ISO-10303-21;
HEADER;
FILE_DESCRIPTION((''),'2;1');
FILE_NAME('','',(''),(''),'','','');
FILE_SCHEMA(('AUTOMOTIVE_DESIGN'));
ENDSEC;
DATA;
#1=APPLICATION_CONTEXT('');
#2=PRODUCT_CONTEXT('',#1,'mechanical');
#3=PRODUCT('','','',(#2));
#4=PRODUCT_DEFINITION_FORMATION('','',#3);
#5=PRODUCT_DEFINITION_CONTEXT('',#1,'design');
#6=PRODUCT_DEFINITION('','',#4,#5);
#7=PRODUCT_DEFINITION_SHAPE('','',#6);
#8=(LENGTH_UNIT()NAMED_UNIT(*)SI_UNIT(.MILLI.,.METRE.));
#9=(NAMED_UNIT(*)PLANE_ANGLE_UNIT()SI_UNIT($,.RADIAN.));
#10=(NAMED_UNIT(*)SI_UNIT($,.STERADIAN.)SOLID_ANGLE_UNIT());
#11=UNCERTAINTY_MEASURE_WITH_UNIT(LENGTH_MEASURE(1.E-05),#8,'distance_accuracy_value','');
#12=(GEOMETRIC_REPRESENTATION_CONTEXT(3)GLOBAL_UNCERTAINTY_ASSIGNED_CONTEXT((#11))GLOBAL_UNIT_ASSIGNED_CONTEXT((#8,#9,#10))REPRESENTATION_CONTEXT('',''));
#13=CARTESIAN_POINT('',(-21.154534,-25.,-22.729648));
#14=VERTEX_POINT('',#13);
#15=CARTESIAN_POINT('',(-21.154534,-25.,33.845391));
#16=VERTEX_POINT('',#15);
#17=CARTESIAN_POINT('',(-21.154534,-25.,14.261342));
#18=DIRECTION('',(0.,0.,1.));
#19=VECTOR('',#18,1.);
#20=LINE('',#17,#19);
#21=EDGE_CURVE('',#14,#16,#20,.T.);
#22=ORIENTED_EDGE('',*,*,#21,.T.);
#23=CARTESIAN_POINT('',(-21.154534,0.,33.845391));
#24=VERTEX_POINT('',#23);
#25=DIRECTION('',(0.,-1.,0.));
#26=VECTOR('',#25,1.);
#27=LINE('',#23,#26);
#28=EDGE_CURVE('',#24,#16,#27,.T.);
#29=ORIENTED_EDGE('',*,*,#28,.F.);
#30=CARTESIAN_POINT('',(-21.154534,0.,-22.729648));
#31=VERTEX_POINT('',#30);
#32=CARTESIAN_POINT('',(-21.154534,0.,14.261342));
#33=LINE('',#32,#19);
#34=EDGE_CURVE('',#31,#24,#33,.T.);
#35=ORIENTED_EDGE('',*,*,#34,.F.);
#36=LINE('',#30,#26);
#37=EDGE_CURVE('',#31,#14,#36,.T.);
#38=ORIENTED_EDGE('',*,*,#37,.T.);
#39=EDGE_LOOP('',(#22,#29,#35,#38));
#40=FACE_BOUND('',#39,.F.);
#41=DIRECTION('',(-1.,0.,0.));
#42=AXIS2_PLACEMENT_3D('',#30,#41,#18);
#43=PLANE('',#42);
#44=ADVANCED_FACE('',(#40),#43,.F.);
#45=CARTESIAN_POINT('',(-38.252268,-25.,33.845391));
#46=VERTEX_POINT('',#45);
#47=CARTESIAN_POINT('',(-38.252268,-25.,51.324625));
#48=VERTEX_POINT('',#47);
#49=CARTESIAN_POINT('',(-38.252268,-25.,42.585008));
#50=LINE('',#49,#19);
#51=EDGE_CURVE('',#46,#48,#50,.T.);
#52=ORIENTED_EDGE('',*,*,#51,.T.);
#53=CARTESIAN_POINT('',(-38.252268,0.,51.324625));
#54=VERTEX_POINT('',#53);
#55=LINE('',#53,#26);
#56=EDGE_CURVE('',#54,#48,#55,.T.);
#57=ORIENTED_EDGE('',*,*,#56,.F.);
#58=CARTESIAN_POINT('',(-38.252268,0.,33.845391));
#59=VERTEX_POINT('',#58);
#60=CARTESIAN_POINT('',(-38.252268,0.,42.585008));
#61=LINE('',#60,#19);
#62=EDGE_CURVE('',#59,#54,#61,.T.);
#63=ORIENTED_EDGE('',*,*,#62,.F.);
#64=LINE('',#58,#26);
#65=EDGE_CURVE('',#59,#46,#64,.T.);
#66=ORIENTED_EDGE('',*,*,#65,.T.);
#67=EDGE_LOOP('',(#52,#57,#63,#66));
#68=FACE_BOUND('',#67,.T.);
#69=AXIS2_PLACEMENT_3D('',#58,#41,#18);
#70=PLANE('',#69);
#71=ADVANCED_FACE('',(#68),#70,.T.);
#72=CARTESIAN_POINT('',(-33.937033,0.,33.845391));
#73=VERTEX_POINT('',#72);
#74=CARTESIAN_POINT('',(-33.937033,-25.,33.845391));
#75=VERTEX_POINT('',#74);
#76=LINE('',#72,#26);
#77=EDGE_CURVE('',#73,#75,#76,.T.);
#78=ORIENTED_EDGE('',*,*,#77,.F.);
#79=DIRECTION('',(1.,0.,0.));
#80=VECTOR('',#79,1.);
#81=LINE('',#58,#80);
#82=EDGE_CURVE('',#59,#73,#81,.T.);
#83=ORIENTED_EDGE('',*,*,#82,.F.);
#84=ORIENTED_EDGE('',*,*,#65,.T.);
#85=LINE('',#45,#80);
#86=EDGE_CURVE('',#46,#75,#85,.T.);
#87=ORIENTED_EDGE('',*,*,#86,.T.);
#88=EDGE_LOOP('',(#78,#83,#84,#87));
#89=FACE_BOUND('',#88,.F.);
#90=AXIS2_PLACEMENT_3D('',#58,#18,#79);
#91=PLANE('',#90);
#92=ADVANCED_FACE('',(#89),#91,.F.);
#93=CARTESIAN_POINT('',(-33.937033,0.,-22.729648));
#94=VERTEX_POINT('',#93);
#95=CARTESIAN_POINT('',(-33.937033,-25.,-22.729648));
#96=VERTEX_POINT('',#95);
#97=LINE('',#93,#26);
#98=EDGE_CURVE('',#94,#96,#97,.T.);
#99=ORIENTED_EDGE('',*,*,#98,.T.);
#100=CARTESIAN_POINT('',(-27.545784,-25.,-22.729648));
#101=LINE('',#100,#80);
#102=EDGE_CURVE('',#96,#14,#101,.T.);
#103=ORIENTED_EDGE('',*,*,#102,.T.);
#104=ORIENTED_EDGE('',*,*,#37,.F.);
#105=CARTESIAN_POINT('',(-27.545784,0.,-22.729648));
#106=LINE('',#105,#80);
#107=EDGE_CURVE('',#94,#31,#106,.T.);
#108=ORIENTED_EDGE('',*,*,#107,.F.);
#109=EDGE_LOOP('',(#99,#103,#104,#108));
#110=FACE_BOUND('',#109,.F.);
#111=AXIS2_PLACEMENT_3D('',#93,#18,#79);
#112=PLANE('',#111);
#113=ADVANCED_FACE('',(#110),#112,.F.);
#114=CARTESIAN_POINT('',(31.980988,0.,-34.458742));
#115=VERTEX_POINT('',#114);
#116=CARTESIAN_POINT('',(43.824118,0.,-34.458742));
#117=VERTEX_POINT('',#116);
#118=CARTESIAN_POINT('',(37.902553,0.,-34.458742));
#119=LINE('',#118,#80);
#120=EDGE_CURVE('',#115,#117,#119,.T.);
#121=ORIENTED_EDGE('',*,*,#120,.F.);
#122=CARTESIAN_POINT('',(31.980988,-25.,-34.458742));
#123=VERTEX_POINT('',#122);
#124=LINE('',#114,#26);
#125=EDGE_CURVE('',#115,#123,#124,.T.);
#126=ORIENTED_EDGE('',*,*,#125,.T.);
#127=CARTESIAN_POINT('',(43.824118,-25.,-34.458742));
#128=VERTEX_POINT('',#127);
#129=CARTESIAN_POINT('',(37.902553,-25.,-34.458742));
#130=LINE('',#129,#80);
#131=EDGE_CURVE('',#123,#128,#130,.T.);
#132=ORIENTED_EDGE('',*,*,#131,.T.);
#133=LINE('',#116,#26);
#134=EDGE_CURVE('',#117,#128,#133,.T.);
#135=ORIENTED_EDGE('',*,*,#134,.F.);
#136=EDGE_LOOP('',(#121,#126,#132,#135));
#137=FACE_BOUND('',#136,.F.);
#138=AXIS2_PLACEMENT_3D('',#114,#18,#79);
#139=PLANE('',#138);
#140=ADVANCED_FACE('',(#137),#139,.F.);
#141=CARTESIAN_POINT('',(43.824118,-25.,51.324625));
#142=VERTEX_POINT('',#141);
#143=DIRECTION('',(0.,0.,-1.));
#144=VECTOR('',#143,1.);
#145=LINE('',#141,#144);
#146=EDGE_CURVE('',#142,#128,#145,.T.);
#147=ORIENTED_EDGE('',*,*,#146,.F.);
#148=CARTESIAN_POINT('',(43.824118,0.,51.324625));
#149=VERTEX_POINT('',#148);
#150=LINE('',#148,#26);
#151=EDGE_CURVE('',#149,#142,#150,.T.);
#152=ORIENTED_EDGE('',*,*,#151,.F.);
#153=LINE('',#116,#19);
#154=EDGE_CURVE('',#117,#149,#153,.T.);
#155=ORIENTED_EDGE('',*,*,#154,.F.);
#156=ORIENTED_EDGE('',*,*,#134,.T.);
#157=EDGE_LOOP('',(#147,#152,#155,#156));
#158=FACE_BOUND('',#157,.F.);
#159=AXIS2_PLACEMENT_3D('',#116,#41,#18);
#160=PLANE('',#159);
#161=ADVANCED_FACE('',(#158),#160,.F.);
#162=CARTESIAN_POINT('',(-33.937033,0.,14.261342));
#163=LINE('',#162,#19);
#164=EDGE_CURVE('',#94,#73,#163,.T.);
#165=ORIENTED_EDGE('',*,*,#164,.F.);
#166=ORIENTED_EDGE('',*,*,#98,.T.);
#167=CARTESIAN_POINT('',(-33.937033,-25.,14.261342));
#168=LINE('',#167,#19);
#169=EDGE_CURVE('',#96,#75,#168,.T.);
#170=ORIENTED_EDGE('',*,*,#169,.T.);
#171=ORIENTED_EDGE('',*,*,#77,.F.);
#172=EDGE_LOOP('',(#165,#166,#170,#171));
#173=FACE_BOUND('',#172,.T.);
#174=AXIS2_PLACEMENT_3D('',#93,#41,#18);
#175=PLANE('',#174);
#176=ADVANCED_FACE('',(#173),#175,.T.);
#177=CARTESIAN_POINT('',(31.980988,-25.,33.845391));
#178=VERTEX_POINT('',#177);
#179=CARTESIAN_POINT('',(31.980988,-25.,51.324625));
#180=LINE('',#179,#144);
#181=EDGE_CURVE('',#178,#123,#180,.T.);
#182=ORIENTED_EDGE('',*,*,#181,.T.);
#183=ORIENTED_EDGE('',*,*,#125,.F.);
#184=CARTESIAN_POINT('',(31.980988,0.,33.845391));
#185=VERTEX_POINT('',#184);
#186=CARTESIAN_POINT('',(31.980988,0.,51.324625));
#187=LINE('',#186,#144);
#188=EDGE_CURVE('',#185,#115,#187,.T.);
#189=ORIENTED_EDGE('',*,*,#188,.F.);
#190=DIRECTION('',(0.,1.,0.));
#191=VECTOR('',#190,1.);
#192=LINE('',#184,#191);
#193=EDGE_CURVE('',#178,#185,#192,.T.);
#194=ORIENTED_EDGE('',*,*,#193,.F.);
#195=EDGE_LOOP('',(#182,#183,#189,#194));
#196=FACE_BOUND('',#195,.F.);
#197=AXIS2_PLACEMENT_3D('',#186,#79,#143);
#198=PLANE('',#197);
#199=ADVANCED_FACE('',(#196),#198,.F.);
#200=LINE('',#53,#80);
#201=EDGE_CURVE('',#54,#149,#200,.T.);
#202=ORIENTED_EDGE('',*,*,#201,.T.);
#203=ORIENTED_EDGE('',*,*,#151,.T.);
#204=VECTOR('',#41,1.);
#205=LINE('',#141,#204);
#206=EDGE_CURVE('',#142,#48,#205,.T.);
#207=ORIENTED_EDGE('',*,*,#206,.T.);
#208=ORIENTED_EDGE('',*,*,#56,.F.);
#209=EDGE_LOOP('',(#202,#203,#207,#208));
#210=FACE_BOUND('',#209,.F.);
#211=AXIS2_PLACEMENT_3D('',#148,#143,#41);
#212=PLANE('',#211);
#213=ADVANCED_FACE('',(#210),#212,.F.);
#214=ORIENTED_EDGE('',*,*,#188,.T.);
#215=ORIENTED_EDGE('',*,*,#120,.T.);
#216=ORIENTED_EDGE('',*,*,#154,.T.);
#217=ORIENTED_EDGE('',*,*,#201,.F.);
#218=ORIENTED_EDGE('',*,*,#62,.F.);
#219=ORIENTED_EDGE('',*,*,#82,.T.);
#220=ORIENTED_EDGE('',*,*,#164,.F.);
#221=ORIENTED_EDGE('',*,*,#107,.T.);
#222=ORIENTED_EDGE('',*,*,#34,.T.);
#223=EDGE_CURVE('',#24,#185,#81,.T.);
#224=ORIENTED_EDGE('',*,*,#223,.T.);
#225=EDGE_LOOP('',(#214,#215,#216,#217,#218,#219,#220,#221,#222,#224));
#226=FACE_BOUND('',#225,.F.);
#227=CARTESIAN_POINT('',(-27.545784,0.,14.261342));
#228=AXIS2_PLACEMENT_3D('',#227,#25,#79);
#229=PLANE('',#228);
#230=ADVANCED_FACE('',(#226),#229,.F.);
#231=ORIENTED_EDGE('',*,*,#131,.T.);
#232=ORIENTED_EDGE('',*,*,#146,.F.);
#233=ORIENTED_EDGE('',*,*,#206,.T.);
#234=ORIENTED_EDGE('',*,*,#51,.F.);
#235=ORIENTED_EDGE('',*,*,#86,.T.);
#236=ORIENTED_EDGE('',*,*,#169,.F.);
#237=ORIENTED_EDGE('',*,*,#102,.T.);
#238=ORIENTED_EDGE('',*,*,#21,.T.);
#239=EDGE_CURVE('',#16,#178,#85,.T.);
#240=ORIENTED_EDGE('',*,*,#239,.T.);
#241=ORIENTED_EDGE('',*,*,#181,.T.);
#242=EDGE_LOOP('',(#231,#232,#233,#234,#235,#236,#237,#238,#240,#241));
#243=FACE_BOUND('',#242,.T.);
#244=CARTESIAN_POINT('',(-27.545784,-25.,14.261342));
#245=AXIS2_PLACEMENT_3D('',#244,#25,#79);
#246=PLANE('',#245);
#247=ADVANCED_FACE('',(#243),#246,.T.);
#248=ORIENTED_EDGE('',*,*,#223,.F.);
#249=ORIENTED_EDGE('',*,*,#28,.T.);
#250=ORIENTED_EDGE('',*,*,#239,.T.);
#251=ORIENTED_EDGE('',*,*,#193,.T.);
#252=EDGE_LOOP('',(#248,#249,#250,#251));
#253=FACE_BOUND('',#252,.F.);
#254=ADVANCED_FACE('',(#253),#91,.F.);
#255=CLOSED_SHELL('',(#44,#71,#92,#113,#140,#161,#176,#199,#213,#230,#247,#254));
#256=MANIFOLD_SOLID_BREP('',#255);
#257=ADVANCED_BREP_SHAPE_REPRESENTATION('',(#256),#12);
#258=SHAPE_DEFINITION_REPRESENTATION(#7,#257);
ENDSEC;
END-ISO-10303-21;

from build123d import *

# Parameters (mm, degrees)
F0_W     = 70.2332556248
F0_H     = 17.4792334437
F0_W_2   = 11.8431299925
F1_DEPTH = 25
F0_H_2   = 68.3041326702
F2_DEPTH = 25
F3_W     = 12.7824991941
F3_H     = 73.9819798619
F4_DEPTH = 25


with BuildPart() as f1:
    # F0 (on Front) → F1 (new body)
    with BuildSketch(Plane.XZ):
        with Locations((-3.1356401742, 42.5850078464)):
            Rectangle(F0_W, F0_H)
        with Locations((37.9025526345, 42.5850078464)):
            Rectangle(F0_W_2, F0_H)
    extrude(amount=F1_DEPTH)

    # F0 (on Front) → F2 (join)
    with BuildSketch(Plane.XZ):
        with Locations((37.9025526345, -0.3066752106)):
            Rectangle(F0_W_2, F0_H_2)
        with Locations((37.9025526345, 42.5850078464)):
            Rectangle(F0_W_2, F0_H)
    extrude(amount=F2_DEPTH)

    # F3 (on Front) → F4 (join)
    with BuildSketch(Plane.XZ):
        with Locations((-27.5457836688, 14.2613416538)):
            Rectangle(F3_W, F3_H)
    extrude(amount=F4_DEPTH)


solid = f1.part
